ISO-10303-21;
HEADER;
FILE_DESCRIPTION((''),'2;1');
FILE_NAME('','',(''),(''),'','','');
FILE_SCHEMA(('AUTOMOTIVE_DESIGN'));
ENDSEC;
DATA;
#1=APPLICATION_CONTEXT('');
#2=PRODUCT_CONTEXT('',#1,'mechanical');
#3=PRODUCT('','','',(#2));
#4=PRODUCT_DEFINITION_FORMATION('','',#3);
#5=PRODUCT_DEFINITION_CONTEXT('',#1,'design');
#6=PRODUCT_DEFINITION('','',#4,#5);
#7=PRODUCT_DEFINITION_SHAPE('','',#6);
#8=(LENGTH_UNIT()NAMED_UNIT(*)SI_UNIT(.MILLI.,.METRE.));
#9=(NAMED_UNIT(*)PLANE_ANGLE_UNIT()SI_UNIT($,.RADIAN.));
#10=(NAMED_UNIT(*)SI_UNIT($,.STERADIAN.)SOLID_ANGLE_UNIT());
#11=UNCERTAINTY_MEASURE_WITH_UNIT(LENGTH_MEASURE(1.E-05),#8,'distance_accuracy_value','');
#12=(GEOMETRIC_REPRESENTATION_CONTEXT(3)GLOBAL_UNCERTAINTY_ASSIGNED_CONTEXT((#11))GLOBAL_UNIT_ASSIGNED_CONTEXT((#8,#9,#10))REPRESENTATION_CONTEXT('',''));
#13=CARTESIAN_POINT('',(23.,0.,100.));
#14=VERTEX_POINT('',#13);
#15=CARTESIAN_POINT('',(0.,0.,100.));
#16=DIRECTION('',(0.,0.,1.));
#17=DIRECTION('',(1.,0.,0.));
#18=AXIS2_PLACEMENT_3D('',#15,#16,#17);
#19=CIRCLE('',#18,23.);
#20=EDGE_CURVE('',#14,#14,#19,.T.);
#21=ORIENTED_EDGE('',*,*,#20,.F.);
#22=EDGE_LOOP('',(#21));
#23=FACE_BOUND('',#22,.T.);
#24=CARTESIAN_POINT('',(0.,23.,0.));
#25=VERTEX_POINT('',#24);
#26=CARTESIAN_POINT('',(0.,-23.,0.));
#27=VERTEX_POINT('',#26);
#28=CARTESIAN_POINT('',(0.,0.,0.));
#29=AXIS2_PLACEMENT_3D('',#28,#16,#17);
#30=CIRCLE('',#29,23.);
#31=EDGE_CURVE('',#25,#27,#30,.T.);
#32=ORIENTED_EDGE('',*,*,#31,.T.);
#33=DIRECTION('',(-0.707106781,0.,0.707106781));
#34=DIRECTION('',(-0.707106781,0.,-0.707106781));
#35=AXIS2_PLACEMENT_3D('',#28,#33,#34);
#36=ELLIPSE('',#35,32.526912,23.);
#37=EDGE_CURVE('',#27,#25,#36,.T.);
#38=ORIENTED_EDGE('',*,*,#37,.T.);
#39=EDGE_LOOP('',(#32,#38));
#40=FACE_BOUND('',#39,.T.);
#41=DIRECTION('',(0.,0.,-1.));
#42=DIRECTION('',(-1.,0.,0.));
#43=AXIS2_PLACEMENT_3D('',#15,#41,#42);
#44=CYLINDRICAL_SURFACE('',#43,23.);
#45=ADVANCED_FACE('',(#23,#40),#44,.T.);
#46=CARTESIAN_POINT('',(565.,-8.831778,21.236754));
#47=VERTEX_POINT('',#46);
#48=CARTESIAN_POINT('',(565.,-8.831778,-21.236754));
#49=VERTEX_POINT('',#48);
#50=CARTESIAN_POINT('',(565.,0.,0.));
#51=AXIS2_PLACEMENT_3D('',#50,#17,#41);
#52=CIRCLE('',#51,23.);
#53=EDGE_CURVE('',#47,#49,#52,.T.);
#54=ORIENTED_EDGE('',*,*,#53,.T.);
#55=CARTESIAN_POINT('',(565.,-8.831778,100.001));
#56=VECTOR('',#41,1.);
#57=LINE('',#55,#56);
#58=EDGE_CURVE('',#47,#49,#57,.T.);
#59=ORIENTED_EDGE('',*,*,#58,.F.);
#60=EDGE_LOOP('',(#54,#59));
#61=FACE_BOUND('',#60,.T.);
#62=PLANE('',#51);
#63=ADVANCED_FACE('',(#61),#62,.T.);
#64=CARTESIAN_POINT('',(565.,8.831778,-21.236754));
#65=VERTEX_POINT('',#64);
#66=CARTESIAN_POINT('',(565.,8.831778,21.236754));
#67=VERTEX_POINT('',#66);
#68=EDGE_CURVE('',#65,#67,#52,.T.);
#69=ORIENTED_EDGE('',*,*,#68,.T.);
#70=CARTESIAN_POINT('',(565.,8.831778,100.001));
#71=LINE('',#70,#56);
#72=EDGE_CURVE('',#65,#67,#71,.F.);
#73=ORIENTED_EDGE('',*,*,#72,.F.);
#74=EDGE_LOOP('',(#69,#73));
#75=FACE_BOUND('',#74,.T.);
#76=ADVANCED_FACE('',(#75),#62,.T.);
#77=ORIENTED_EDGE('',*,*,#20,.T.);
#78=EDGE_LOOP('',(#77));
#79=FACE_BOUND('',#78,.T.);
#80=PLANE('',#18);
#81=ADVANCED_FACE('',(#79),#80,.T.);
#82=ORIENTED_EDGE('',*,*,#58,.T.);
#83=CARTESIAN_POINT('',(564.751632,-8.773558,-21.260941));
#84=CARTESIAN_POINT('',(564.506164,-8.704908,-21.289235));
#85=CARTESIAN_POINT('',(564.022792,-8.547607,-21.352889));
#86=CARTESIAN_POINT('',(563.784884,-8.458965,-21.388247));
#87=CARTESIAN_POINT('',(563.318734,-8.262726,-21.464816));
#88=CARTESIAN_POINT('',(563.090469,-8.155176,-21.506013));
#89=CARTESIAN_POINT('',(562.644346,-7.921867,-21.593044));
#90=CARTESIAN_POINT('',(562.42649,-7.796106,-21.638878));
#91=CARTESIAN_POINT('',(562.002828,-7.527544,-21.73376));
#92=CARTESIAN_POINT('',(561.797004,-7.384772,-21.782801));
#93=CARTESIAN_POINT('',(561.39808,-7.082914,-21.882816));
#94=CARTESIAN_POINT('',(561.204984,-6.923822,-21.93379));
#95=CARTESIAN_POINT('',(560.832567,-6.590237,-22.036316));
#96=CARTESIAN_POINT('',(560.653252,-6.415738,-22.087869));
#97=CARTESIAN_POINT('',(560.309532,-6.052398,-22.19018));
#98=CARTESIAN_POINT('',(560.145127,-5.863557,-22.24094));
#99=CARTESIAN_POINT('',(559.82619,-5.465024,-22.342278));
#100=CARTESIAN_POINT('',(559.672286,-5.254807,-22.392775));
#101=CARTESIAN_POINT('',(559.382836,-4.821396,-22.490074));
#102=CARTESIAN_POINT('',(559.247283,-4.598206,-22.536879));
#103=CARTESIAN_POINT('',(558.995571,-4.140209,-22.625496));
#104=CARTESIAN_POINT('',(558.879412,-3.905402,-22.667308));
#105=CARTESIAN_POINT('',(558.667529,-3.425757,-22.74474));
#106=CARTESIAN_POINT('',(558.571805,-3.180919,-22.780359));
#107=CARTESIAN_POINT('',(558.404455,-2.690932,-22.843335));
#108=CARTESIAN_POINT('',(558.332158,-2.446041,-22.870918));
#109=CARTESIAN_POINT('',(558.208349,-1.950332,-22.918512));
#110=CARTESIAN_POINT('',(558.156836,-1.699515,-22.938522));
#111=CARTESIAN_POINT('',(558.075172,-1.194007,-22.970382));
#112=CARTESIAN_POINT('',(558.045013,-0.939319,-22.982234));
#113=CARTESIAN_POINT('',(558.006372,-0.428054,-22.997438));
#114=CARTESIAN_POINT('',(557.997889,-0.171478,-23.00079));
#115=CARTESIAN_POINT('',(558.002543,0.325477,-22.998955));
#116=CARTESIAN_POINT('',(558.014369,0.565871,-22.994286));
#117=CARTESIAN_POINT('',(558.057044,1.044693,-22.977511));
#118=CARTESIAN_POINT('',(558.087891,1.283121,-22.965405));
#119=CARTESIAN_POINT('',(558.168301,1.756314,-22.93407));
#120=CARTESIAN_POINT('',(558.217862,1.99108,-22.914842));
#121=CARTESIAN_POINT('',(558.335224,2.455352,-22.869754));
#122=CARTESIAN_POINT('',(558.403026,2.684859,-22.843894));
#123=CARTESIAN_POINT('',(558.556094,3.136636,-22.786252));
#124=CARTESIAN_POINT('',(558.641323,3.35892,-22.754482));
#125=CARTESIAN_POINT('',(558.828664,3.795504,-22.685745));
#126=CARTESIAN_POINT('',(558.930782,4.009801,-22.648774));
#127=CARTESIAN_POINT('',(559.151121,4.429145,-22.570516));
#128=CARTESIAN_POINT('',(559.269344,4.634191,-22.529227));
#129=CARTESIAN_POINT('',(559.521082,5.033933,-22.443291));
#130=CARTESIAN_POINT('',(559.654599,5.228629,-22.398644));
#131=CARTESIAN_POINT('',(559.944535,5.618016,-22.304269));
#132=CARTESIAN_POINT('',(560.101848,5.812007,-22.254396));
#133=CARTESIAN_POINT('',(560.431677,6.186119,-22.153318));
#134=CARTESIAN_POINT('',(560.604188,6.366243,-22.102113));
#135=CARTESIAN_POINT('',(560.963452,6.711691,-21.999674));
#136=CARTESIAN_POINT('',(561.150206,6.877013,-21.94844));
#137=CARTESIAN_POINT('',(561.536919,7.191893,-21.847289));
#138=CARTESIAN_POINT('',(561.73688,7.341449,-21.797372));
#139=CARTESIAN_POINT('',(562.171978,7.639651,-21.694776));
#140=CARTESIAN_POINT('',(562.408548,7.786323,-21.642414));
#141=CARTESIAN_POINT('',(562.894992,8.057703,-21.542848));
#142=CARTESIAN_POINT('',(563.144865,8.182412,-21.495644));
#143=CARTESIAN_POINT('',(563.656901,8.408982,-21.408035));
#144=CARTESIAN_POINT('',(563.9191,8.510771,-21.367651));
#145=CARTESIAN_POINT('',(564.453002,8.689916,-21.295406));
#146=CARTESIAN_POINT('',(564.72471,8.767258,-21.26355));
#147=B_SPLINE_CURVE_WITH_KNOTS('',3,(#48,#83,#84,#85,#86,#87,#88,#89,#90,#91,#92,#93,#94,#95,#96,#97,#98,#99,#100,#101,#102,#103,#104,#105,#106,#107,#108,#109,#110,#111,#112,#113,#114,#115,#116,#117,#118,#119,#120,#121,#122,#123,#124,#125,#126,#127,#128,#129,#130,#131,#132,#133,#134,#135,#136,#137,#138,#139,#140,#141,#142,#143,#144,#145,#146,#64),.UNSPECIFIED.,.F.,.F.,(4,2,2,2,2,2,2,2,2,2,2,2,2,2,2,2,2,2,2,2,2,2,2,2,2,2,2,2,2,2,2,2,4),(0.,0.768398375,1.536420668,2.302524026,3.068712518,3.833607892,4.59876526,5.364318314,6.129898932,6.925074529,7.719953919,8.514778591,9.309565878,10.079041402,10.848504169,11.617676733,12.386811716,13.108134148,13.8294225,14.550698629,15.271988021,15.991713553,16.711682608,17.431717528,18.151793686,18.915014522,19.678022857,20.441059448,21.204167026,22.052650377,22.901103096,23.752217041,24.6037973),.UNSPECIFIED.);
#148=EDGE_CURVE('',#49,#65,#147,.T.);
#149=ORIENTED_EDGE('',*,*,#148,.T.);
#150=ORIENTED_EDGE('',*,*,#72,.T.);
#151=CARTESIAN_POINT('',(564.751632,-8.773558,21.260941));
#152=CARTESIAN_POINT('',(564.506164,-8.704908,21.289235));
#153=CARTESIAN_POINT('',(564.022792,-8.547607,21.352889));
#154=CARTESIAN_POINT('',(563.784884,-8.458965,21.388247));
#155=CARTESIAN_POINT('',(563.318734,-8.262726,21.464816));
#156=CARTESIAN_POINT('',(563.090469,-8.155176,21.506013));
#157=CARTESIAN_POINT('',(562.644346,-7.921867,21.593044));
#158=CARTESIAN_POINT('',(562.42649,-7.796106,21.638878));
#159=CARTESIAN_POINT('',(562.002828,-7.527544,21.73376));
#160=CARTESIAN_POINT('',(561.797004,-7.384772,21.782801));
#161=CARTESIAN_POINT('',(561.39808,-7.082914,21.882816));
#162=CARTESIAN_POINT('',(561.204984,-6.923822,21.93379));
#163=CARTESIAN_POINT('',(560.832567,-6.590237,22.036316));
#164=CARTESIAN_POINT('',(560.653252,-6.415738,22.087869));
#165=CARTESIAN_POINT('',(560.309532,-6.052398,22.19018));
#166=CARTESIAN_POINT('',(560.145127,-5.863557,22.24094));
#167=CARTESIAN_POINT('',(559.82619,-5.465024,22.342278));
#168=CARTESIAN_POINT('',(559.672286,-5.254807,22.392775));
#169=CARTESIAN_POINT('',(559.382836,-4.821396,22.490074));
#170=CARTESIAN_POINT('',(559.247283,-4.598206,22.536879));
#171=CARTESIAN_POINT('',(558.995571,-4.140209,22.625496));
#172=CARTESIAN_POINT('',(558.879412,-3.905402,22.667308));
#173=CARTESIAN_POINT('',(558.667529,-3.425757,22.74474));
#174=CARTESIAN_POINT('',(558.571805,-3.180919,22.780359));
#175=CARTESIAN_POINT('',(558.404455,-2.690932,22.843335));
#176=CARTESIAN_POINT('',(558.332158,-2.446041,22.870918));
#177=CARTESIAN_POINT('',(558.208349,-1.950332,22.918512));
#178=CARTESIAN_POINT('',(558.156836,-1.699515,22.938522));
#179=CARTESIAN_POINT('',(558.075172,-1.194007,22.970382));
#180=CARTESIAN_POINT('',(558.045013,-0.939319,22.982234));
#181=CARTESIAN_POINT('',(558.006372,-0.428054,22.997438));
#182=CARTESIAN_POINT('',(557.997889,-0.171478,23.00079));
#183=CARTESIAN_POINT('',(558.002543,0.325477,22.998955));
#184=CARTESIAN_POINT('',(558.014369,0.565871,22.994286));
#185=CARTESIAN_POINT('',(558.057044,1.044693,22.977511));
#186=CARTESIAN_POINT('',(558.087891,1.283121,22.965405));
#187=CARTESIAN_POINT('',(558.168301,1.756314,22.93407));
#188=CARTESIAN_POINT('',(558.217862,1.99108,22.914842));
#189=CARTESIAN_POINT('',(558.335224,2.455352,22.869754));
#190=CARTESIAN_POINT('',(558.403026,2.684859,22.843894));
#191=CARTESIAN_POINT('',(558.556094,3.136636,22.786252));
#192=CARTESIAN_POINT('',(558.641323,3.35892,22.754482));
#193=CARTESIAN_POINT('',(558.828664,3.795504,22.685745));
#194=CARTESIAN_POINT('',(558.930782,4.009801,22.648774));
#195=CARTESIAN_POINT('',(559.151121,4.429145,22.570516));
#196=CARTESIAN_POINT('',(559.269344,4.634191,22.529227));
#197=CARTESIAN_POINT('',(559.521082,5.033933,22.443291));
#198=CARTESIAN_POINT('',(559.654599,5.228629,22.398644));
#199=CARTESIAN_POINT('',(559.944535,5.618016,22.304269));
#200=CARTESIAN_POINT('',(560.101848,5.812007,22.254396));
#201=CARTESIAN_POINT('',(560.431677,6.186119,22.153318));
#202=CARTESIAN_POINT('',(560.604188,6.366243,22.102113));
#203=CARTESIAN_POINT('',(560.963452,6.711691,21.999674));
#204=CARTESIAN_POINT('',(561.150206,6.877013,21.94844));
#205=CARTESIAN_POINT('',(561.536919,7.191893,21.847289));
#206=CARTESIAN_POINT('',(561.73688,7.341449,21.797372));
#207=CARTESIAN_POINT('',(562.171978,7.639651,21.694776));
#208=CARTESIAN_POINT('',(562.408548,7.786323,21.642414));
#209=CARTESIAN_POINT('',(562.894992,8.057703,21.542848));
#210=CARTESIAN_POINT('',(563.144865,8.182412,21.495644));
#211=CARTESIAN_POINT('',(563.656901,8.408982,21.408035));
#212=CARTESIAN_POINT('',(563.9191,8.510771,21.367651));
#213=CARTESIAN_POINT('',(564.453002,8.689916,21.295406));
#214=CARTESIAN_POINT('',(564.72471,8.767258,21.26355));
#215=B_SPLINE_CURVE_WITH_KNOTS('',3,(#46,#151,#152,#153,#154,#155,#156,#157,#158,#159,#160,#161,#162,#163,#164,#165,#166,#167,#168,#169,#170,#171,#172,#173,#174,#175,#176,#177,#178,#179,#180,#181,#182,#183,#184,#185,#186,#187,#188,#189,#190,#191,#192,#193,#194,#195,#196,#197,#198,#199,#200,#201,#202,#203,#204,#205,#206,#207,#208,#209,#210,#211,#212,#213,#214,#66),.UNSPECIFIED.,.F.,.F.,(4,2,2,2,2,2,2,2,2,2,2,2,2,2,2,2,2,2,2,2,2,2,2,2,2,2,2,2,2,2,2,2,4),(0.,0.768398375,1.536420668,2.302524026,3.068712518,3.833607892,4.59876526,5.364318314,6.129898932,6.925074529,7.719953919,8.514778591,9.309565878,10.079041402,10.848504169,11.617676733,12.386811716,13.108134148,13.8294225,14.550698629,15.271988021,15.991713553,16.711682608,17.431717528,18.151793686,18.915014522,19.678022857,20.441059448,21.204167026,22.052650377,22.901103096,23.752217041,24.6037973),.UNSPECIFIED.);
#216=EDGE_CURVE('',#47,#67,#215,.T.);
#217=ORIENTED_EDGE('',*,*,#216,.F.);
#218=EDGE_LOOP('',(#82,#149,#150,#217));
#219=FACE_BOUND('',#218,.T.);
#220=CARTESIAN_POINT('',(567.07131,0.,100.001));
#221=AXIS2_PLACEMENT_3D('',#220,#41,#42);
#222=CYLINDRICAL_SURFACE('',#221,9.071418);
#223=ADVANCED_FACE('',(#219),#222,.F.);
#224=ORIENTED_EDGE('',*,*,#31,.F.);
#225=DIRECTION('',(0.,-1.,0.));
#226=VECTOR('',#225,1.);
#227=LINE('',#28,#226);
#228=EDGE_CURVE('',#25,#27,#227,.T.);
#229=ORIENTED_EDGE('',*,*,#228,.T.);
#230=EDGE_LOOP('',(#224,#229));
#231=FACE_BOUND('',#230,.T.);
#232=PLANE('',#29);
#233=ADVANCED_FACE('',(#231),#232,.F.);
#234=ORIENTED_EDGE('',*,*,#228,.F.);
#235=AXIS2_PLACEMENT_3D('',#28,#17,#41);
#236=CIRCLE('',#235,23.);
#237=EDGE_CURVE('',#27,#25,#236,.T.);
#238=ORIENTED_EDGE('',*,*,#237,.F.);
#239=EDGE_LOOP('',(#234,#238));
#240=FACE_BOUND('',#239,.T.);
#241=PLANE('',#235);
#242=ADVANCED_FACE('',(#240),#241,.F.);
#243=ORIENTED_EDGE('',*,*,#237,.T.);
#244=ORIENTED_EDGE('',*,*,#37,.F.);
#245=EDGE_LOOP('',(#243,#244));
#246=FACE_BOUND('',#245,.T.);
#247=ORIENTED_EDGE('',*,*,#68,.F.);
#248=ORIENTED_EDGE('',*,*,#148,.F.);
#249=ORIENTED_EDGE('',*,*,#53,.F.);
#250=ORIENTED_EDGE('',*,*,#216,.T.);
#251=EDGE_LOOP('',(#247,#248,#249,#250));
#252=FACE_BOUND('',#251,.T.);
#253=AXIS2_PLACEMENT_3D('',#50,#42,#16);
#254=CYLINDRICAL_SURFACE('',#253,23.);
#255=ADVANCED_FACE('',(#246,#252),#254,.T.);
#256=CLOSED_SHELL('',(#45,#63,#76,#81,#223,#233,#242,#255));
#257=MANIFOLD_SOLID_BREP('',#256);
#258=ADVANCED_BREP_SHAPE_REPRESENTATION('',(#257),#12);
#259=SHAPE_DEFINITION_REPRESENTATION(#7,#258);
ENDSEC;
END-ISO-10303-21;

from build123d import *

# Parameters (mm, degrees)
SKETCH1_R                         = 23
LENGTH_DEPTH                      = 565
SKETCH2_R                         = 23
HIP_JOINT_DEPTH                   = 100
TIBIA_AXIS_REACH                  = 576.242
TIBIA_AXIS_END_RADIUS             = 23
SKETCH3_R                         = 9.071418029
TIBIA_AXIS_DIRECTION_2_REACH      = 576.242
TIBIA_AXIS_DIRECTION_2_END_RADIUS = 23


with BuildPart() as part:
    # Sketch1 → Length (new body)
    with BuildSketch(Plane(origin=(0, 0, 0), x_dir=(0, 0, -1), z_dir=(1, 0, 0))):
        Circle(SKETCH1_R)
    extrude(amount=LENGTH_DEPTH)

    # Sketch2 → Hip joint (add)
    with BuildSketch(Plane.XY):
        with Locations(Location((0, 0, 0), (0, 0, 270))):
            Circle(SKETCH2_R)
    extrude(amount=HIP_JOINT_DEPTH)

    # Tibia axis: up to this cylinder (the profile starts inside it)
    tibia_axis_end = Plane(origin=(567.07131, 0, 0), z_dir=(-1, 0, 0)) * Cylinder(TIBIA_AXIS_END_RADIUS, 1199.484, mode=Mode.PRIVATE)
    # Sketch3 → Tibia axis (cut, up to the surface)
    with BuildSketch(Plane.XY, mode=Mode.PRIVATE) as tibia_axis_sk1:
        with Locations((567.071310444, 0)):
            Circle(SKETCH3_R)
    tibia_axis_tool1 = extrude(tibia_axis_sk1.sketch, amount=-TIBIA_AXIS_REACH, mode=Mode.PRIVATE) & tibia_axis_end
    add(tibia_axis_tool1.solids().sort_by_distance((567.07131, 0, 0))[0], mode=Mode.SUBTRACT)

    # Tibia axis direction 2: up to this cylinder (the profile starts inside it)
    tibia_axis_direction_2_end = Plane(origin=(567.07131, 0, 0), z_dir=(-1, 0, 0)) * Cylinder(TIBIA_AXIS_DIRECTION_2_END_RADIUS, 1199.484, mode=Mode.PRIVATE)
    # Sketch3 → Tibia axis direction 2 (cut, up to the surface)
    with BuildSketch(Plane.XY, mode=Mode.PRIVATE) as tibia_axis_direction_2_sk1:
        with Locations((567.071310444, 0)):
            Circle(SKETCH3_R)
    tibia_axis_direction_2_tool1 = extrude(tibia_axis_direction_2_sk1.sketch, amount=TIBIA_AXIS_DIRECTION_2_REACH, mode=Mode.PRIVATE) & tibia_axis_direction_2_end
    add(tibia_axis_direction_2_tool1.solids().sort_by_distance((567.07131, 0, 0))[0], mode=Mode.SUBTRACT)


solid = part.part
